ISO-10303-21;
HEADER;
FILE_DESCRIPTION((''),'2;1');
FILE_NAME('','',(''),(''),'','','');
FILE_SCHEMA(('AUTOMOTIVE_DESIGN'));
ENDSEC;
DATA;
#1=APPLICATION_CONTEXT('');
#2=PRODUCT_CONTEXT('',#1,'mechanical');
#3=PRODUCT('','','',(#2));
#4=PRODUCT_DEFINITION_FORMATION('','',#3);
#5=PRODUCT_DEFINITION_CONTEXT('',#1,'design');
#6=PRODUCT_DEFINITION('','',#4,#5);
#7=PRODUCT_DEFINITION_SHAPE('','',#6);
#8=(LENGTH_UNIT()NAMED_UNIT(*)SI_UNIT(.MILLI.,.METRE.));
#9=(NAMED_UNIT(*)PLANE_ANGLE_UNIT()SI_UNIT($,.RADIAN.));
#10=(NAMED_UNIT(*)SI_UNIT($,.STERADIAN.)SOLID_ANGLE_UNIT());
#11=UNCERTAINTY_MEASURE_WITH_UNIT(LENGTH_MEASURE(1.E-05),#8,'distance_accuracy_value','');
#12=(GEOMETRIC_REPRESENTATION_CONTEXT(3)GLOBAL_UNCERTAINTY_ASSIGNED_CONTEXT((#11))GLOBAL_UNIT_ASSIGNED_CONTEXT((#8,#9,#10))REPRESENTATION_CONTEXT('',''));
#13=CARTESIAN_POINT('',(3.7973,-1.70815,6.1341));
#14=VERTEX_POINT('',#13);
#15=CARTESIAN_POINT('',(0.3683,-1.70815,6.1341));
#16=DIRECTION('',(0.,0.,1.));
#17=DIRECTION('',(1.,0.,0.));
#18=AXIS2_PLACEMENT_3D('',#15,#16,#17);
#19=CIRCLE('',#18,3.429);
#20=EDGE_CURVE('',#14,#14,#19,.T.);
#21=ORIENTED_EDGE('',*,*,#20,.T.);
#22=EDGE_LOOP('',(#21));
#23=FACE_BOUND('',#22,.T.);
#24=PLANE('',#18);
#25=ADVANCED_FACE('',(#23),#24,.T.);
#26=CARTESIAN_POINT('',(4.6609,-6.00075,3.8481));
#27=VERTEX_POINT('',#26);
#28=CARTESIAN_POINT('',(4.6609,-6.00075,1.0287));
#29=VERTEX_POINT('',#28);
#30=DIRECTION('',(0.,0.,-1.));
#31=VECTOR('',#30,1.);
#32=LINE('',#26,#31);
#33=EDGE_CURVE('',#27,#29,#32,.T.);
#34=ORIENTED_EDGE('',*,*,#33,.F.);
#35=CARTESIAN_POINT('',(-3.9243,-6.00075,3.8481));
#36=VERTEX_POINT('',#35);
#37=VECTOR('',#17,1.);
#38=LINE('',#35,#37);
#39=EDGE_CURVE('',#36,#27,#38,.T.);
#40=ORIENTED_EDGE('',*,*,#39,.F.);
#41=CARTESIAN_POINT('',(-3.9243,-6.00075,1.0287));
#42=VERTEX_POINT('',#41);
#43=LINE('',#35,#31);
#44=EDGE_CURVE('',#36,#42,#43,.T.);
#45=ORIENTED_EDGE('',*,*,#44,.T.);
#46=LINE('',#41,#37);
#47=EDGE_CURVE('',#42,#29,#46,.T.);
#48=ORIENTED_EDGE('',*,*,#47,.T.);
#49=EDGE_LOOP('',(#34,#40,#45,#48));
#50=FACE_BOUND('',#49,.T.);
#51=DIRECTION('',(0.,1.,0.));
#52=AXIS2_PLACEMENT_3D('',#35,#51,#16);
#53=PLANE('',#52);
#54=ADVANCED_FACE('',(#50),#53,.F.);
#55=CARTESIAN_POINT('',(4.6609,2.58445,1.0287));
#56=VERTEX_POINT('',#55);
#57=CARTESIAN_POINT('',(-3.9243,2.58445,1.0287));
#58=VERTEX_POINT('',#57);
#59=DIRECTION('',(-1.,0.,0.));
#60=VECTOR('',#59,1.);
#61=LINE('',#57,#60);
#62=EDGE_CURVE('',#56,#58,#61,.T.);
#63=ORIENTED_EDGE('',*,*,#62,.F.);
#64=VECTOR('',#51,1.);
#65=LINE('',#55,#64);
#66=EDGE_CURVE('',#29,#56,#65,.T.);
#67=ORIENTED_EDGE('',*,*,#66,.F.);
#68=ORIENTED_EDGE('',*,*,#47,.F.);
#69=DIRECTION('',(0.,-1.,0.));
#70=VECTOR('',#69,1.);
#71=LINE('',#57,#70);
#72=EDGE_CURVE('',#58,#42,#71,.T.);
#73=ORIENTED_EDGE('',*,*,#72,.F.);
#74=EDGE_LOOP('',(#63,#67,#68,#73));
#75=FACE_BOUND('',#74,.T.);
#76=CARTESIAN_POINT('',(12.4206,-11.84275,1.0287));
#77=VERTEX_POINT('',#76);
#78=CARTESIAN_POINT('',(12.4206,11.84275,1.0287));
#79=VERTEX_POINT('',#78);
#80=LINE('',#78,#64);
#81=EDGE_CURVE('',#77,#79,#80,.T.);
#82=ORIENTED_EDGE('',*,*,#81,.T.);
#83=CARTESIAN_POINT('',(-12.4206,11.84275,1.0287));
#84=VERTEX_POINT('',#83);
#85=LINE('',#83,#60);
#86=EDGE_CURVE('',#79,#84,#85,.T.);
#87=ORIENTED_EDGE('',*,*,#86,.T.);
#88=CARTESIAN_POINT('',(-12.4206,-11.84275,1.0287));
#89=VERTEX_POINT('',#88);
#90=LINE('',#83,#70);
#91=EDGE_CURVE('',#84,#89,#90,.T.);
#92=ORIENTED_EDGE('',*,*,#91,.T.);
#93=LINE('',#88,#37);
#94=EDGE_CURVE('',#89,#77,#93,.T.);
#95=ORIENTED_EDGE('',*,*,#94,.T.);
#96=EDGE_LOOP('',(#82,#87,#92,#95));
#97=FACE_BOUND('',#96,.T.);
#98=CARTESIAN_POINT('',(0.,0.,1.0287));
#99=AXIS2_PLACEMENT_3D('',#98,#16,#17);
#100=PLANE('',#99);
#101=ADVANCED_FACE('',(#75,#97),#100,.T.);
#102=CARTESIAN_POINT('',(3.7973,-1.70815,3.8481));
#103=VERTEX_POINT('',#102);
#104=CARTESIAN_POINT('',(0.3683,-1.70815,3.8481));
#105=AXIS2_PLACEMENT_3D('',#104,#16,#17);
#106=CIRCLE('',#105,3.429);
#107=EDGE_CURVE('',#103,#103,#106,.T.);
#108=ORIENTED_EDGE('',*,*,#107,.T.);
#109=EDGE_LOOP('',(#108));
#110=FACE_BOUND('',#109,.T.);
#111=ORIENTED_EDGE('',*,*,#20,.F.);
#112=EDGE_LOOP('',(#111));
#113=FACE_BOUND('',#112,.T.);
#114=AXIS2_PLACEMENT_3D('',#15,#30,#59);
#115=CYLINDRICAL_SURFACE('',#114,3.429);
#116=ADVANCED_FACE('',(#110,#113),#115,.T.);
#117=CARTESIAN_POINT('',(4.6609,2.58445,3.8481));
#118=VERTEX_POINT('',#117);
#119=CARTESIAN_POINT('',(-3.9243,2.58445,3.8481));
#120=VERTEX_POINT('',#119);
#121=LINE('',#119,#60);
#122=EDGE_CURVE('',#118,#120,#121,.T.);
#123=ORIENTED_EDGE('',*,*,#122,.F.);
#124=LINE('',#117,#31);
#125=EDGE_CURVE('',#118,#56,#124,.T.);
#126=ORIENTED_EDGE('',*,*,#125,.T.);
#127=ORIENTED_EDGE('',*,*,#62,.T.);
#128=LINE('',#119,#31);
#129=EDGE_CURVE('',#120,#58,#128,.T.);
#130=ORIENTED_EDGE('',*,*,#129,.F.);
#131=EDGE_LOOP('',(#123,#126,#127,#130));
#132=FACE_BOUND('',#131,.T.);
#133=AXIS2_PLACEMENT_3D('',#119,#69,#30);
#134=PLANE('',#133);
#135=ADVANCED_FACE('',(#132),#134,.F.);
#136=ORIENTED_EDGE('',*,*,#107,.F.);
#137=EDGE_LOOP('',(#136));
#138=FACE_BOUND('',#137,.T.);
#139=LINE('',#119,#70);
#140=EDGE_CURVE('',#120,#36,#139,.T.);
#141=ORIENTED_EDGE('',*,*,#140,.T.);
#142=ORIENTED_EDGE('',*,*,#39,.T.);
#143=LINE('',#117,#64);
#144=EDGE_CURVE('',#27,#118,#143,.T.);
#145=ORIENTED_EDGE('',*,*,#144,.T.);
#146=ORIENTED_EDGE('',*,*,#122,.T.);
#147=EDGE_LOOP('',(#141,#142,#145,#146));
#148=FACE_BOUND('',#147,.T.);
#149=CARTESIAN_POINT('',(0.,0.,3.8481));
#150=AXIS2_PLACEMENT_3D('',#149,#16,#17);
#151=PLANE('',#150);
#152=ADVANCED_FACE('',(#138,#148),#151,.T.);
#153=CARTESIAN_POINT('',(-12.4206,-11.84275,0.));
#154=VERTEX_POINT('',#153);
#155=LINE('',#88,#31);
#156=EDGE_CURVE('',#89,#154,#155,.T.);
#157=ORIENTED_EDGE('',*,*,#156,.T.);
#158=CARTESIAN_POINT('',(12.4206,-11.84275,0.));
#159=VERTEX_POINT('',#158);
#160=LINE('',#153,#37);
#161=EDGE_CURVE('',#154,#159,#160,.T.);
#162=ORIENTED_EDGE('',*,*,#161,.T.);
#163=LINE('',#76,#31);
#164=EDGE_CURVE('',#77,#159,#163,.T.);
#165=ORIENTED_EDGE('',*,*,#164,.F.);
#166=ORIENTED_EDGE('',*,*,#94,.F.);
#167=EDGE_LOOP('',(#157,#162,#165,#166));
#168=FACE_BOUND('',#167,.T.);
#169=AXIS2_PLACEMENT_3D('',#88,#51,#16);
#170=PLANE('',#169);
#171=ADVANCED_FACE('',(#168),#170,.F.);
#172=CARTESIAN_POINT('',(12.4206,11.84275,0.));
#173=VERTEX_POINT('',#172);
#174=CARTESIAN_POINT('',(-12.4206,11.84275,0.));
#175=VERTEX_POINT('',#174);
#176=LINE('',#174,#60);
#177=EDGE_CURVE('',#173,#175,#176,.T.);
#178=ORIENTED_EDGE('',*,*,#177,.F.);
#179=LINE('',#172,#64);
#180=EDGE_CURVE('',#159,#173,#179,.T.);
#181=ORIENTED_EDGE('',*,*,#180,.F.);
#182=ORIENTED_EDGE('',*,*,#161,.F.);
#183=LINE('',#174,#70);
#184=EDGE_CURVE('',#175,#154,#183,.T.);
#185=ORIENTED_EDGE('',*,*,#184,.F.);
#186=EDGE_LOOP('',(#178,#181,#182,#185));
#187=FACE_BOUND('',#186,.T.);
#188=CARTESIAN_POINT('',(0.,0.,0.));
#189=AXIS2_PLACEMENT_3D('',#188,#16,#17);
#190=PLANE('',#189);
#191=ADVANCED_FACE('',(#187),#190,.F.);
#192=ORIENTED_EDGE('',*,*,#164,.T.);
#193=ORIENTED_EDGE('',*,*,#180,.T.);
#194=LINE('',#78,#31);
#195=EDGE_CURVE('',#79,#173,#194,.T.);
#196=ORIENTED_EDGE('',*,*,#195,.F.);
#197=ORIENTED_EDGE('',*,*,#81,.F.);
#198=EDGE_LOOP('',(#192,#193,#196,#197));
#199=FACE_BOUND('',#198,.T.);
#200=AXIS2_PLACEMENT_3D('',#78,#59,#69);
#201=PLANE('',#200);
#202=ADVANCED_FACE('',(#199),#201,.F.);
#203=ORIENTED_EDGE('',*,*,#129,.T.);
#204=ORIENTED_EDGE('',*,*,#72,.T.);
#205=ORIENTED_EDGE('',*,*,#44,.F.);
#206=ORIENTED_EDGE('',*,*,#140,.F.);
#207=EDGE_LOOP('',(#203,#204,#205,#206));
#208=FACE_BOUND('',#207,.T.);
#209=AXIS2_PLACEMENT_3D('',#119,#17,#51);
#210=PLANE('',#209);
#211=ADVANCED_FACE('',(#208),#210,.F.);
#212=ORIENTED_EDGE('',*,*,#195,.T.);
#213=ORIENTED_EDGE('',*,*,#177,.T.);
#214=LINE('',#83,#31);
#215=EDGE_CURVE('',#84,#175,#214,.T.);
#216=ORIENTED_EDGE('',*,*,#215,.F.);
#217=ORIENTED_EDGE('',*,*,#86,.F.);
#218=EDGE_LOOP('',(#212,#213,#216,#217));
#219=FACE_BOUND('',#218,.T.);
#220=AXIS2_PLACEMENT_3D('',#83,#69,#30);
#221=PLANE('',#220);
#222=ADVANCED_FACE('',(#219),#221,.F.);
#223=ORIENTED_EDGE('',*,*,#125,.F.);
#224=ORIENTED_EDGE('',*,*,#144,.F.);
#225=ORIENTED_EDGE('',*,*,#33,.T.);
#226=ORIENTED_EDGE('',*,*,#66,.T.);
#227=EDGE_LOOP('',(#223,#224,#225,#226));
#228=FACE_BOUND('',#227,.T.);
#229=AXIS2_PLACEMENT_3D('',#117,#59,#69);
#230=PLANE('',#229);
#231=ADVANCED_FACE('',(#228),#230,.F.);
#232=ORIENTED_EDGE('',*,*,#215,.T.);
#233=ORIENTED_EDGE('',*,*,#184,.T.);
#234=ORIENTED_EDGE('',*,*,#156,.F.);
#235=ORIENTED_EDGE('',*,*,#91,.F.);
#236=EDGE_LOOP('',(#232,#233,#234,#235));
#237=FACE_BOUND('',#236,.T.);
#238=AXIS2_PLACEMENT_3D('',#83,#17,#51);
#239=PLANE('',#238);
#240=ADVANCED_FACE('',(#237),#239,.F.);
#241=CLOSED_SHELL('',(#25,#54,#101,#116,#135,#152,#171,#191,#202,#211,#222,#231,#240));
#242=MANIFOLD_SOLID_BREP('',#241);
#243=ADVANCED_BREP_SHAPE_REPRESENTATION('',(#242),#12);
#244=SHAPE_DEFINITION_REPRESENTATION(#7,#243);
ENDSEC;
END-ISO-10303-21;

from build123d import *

# Parameters (mm, degrees)
SKETCH1_W           = 24.8412
SKETCH1_H           = 23.6855
BOSS_EXTRUDE1_DEPTH = 1.0287
SKETCH2_W           = 8.5852
SKETCH2_H           = 8.5852
BOSS_EXTRUDE2_DEPTH = 2.8194
SKETCH3_R           = 3.429
BOSS_EXTRUDE3_DEPTH = 2.286


with BuildPart() as part:
    # Sketch1 → Boss-Extrude1 (new body)
    with BuildSketch(Plane.XY):
        Rectangle(SKETCH1_W, SKETCH1_H)
    extrude(amount=BOSS_EXTRUDE1_DEPTH)

    # Sketch2 → Boss-Extrude2 (add)
    with BuildSketch(Plane.XY.offset(1.0287)):
        with Locations((0.3683, -1.70815)):
            Rectangle(SKETCH2_W, SKETCH2_H)
    extrude(amount=BOSS_EXTRUDE2_DEPTH)

    # Sketch3 → Boss-Extrude3 (add)
    with BuildSketch(Plane.XY.offset(3.8481)):
        with Locations((0.3683, -1.70815)):
            Circle(SKETCH3_R)
    extrude(amount=BOSS_EXTRUDE3_DEPTH)


solid = part.part
